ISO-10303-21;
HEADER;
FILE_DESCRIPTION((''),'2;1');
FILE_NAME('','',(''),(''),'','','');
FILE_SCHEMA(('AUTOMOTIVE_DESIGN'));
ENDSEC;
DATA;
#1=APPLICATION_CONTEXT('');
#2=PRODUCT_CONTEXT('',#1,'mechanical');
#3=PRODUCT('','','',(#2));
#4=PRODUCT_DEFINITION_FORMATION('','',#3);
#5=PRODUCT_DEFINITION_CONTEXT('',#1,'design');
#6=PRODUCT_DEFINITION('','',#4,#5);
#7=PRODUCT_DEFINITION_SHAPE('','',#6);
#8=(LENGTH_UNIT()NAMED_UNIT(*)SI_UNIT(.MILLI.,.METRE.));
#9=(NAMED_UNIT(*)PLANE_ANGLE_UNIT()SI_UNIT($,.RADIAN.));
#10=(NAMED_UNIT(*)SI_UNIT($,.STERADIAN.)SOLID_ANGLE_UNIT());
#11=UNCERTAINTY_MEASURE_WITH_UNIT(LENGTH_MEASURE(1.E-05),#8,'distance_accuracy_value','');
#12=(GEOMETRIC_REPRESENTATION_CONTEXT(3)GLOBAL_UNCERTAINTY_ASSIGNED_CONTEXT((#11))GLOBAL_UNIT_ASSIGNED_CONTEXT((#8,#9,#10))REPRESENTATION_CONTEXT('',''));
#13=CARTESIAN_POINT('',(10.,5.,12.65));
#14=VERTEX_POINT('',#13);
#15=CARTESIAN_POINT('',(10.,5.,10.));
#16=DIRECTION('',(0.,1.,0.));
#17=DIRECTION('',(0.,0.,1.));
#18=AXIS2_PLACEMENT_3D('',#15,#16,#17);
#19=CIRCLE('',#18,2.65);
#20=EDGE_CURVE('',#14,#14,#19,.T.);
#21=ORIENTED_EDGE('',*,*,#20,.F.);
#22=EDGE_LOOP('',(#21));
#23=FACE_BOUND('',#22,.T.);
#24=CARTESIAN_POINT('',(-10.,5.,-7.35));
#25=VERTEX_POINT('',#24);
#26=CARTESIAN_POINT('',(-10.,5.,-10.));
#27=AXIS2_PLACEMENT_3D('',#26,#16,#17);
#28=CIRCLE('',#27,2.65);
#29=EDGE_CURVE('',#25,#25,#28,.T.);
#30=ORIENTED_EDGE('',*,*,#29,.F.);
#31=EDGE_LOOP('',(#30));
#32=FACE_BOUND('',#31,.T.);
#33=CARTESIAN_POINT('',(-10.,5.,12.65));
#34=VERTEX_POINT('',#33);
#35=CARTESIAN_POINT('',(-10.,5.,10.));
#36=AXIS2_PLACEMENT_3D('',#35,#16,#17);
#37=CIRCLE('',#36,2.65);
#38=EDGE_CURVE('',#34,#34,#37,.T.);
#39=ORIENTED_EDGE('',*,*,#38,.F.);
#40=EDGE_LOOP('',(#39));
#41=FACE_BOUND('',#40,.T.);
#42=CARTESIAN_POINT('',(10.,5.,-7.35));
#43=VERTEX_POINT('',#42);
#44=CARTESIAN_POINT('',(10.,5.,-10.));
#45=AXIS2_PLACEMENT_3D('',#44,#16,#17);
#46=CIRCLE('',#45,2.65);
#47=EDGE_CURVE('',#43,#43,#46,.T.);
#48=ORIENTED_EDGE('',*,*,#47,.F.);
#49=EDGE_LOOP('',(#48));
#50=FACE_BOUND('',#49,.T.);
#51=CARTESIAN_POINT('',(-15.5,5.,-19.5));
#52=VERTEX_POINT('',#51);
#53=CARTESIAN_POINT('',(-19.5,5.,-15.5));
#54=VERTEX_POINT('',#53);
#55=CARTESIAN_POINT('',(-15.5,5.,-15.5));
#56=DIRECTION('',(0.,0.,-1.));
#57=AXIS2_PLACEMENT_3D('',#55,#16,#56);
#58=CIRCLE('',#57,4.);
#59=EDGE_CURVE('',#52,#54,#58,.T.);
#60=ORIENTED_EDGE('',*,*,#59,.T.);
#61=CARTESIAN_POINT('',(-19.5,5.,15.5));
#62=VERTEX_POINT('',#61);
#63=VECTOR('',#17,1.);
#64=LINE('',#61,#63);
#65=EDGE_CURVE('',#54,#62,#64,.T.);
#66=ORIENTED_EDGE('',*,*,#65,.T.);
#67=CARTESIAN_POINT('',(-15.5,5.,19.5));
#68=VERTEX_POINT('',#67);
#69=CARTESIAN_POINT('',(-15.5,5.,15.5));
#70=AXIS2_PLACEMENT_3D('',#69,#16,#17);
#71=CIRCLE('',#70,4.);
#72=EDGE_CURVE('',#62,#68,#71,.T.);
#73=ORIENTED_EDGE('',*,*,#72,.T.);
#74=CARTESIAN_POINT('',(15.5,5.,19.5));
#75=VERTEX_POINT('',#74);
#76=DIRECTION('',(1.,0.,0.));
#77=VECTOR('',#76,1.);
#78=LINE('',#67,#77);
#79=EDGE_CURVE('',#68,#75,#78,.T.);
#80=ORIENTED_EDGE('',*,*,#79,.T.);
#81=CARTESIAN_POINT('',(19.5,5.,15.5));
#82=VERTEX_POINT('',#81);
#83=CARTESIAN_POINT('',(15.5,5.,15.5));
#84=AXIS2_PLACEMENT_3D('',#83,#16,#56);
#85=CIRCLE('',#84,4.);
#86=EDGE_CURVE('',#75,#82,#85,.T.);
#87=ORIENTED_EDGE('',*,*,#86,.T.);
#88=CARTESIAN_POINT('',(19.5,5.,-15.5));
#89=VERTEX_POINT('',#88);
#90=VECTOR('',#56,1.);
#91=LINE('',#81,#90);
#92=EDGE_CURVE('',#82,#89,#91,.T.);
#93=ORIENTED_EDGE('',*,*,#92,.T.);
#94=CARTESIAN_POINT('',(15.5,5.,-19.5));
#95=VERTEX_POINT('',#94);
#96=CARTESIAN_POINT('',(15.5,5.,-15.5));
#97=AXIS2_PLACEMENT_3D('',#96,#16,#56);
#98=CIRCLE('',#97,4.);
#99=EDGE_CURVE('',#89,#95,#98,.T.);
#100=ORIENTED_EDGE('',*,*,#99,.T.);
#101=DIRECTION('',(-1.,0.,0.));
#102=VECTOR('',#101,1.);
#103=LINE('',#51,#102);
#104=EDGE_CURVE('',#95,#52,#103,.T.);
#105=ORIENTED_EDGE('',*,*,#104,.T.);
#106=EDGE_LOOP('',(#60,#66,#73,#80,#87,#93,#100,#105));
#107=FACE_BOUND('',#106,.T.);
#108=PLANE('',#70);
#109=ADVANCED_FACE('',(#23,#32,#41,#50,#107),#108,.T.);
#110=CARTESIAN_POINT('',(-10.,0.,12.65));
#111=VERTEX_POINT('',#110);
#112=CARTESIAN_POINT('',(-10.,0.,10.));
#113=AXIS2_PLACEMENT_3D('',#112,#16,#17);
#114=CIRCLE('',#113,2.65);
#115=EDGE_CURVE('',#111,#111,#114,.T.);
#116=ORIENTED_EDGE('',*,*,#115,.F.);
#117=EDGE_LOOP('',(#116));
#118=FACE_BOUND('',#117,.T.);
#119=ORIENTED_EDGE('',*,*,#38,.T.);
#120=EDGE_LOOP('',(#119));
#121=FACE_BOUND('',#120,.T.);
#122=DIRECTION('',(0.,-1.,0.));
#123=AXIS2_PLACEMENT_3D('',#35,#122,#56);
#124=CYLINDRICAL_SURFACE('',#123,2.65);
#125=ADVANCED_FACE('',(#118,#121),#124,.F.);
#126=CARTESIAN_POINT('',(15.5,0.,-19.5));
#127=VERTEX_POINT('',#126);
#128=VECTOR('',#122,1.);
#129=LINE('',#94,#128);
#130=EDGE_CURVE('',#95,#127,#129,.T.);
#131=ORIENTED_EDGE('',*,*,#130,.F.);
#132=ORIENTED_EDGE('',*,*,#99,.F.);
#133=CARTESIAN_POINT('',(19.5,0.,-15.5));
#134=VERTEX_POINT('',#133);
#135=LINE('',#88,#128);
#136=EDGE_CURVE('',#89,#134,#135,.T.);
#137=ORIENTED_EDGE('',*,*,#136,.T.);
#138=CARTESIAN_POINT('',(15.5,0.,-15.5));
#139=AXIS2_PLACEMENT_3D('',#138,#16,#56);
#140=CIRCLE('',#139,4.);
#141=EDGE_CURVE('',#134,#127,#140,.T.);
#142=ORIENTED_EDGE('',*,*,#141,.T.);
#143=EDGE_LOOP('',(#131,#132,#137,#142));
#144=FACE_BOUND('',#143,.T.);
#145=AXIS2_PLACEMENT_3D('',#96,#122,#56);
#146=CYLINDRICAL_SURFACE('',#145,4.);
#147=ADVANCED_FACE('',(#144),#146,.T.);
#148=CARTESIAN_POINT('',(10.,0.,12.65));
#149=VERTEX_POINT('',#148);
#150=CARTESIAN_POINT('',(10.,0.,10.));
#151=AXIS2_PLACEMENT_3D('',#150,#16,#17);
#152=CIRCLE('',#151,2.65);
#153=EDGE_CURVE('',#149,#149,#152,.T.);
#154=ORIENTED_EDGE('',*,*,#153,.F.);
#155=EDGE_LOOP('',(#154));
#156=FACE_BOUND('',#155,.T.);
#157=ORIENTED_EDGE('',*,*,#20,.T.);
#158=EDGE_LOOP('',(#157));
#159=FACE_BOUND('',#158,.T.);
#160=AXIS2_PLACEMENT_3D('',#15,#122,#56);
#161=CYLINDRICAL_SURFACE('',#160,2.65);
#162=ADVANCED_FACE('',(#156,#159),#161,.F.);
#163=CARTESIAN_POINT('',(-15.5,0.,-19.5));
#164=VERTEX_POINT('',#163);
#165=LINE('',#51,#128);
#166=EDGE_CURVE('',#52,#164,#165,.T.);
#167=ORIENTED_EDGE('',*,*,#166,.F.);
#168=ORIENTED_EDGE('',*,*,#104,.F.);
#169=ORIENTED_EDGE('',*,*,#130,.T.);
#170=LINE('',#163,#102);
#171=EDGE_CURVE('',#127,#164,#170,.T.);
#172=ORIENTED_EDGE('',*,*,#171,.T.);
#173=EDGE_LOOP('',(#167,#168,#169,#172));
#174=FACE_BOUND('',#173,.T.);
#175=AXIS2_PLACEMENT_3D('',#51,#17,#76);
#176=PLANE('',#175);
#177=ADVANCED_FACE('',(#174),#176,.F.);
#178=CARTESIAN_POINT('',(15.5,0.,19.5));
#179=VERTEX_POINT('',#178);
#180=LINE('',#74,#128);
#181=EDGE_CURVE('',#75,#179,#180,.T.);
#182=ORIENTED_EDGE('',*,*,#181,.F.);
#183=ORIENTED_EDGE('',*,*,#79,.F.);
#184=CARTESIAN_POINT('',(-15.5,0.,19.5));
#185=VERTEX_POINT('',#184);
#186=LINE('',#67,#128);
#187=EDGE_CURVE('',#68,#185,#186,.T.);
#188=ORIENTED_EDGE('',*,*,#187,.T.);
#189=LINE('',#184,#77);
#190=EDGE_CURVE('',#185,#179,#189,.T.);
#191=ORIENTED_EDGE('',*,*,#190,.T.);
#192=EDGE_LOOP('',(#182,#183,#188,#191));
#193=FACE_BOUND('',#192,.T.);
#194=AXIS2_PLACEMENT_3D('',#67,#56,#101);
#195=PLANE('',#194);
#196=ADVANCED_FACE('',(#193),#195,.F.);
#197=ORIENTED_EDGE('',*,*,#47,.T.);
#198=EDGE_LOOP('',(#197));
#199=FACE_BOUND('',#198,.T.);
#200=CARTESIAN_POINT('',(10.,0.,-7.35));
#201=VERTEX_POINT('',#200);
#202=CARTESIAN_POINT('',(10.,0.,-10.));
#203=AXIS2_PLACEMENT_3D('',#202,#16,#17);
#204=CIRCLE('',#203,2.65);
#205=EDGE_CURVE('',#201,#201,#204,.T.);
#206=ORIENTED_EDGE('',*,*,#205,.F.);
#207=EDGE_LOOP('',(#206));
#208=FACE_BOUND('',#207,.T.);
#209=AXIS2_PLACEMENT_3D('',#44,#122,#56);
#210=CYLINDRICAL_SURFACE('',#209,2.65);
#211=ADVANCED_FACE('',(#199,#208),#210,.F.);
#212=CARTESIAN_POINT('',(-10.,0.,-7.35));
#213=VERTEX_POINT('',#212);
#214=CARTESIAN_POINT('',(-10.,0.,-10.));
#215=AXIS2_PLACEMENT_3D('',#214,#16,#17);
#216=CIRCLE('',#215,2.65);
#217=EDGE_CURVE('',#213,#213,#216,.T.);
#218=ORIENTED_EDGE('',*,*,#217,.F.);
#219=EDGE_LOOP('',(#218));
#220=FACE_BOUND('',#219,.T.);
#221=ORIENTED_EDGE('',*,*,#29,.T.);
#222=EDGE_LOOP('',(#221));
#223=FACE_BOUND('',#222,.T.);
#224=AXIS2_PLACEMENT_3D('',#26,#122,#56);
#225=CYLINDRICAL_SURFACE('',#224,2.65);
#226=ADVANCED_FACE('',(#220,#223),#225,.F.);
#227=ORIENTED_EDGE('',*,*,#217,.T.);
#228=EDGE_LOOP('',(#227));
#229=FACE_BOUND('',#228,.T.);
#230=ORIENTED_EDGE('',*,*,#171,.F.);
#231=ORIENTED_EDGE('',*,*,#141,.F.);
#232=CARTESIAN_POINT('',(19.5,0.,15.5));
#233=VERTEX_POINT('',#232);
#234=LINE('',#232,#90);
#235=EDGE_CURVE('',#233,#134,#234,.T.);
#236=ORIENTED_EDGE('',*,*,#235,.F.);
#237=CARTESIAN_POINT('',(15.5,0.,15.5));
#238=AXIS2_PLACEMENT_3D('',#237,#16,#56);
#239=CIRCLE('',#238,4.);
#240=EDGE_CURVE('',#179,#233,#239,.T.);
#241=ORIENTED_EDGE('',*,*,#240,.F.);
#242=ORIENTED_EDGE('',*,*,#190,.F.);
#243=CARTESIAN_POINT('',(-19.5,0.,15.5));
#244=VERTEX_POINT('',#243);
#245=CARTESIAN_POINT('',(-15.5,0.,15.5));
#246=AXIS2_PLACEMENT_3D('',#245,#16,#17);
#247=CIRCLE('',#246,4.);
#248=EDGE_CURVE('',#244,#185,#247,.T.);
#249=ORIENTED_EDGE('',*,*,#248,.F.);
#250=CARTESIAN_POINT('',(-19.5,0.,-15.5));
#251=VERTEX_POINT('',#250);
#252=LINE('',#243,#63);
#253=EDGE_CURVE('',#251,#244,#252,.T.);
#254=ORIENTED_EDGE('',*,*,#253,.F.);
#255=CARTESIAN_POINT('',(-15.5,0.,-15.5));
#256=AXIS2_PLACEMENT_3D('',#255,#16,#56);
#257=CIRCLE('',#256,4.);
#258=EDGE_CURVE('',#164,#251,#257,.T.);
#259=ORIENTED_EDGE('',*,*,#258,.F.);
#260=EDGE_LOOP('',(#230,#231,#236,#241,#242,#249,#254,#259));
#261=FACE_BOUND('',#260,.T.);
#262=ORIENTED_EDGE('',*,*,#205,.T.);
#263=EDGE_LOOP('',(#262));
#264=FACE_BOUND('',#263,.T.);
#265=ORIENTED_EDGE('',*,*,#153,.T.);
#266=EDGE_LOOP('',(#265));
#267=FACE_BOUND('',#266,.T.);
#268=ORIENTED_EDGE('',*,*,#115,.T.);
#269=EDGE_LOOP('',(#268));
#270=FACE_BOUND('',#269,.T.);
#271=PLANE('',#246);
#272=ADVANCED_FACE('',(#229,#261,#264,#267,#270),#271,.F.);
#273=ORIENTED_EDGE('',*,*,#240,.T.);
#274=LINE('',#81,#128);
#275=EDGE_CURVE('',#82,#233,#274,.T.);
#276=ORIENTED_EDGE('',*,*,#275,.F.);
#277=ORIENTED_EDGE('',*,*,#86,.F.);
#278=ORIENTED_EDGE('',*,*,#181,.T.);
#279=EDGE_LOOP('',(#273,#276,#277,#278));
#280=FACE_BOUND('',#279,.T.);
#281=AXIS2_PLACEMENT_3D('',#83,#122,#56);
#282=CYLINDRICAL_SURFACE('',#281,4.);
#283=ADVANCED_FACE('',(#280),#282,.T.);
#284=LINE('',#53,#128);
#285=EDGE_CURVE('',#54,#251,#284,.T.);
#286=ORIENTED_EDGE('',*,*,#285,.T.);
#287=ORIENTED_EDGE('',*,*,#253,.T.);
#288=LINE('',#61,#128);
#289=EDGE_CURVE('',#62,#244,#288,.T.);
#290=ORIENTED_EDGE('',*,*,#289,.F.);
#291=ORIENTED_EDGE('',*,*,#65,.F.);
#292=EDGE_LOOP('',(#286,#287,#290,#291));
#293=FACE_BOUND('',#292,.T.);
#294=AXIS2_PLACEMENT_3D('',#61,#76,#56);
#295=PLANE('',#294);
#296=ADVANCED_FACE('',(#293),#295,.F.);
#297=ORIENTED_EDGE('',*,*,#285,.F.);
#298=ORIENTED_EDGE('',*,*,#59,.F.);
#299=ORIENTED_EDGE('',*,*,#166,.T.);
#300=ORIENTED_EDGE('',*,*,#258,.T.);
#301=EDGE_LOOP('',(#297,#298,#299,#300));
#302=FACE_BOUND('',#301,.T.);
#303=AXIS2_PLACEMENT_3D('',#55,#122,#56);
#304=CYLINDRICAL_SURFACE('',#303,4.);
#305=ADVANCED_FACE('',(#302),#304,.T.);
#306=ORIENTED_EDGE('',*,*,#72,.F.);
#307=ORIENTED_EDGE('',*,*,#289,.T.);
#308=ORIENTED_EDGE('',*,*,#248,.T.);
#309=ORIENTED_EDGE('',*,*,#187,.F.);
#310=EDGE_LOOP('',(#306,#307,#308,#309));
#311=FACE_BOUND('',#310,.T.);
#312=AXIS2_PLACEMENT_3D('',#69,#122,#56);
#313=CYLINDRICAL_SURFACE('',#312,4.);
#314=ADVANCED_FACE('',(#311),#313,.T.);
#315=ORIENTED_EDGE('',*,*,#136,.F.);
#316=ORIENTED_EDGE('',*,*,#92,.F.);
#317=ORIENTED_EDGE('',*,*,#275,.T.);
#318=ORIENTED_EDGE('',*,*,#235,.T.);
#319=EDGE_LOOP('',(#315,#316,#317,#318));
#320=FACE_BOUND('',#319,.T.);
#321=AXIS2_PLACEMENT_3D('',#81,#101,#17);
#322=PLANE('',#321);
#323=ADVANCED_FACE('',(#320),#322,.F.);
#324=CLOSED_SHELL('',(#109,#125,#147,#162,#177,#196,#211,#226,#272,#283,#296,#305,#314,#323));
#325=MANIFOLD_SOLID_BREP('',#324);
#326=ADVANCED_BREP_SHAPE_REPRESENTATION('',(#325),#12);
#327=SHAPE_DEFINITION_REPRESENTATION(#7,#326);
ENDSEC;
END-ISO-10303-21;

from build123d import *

# Parameters (mm, degrees)
F_4_HOLE_PROFILE_SKETCH_R        = 2.65
F_4_HOLE_THICKNESS_EXTRUDE_DEPTH = 5


with BuildPart() as part:
    # 4 Hole Profile Sketch → 4 Hole Thickness Extrude (new body)
    with BuildSketch(Plane(origin=(0, 0, 0), x_dir=(1, 0, 0), z_dir=(0, 1, 0))):
        with BuildLine():
            Line((-15.5, -19.5), (15.5, -19.5))
            ThreePointArc((15.5, -19.5), (18.328427125, -18.328427125), (19.5, -15.5))
            Line((19.5, -15.5), (19.5, 15.5))
            ThreePointArc((19.5, 15.5), (18.328427125, 18.328427125), (15.5, 19.5))
            Line((15.5, 19.5), (-15.5, 19.5))
            ThreePointArc((-15.5, 19.5), (-18.328427125, 18.328427125), (-19.5, 15.5))
            Line((-19.5, 15.5), (-19.5, -15.5))
            ThreePointArc((-19.5, -15.5), (-18.328427125, -18.328427125), (-15.5, -19.5))
        make_face()
        with Locations(Location((10, -10, 0), (0, 0, 270))):
            Circle(F_4_HOLE_PROFILE_SKETCH_R, mode=Mode.SUBTRACT)
        with Locations(Location((10, 10, 0), (0, 0, 270))):
            Circle(F_4_HOLE_PROFILE_SKETCH_R, mode=Mode.SUBTRACT)
        with Locations(Location((-10, -10, 0), (0, 0, 270))):
            Circle(F_4_HOLE_PROFILE_SKETCH_R, mode=Mode.SUBTRACT)
        with Locations(Location((-10, 10, 0), (0, 0, 270))):
            Circle(F_4_HOLE_PROFILE_SKETCH_R, mode=Mode.SUBTRACT)
    extrude(amount=F_4_HOLE_THICKNESS_EXTRUDE_DEPTH)


solid = part.part
